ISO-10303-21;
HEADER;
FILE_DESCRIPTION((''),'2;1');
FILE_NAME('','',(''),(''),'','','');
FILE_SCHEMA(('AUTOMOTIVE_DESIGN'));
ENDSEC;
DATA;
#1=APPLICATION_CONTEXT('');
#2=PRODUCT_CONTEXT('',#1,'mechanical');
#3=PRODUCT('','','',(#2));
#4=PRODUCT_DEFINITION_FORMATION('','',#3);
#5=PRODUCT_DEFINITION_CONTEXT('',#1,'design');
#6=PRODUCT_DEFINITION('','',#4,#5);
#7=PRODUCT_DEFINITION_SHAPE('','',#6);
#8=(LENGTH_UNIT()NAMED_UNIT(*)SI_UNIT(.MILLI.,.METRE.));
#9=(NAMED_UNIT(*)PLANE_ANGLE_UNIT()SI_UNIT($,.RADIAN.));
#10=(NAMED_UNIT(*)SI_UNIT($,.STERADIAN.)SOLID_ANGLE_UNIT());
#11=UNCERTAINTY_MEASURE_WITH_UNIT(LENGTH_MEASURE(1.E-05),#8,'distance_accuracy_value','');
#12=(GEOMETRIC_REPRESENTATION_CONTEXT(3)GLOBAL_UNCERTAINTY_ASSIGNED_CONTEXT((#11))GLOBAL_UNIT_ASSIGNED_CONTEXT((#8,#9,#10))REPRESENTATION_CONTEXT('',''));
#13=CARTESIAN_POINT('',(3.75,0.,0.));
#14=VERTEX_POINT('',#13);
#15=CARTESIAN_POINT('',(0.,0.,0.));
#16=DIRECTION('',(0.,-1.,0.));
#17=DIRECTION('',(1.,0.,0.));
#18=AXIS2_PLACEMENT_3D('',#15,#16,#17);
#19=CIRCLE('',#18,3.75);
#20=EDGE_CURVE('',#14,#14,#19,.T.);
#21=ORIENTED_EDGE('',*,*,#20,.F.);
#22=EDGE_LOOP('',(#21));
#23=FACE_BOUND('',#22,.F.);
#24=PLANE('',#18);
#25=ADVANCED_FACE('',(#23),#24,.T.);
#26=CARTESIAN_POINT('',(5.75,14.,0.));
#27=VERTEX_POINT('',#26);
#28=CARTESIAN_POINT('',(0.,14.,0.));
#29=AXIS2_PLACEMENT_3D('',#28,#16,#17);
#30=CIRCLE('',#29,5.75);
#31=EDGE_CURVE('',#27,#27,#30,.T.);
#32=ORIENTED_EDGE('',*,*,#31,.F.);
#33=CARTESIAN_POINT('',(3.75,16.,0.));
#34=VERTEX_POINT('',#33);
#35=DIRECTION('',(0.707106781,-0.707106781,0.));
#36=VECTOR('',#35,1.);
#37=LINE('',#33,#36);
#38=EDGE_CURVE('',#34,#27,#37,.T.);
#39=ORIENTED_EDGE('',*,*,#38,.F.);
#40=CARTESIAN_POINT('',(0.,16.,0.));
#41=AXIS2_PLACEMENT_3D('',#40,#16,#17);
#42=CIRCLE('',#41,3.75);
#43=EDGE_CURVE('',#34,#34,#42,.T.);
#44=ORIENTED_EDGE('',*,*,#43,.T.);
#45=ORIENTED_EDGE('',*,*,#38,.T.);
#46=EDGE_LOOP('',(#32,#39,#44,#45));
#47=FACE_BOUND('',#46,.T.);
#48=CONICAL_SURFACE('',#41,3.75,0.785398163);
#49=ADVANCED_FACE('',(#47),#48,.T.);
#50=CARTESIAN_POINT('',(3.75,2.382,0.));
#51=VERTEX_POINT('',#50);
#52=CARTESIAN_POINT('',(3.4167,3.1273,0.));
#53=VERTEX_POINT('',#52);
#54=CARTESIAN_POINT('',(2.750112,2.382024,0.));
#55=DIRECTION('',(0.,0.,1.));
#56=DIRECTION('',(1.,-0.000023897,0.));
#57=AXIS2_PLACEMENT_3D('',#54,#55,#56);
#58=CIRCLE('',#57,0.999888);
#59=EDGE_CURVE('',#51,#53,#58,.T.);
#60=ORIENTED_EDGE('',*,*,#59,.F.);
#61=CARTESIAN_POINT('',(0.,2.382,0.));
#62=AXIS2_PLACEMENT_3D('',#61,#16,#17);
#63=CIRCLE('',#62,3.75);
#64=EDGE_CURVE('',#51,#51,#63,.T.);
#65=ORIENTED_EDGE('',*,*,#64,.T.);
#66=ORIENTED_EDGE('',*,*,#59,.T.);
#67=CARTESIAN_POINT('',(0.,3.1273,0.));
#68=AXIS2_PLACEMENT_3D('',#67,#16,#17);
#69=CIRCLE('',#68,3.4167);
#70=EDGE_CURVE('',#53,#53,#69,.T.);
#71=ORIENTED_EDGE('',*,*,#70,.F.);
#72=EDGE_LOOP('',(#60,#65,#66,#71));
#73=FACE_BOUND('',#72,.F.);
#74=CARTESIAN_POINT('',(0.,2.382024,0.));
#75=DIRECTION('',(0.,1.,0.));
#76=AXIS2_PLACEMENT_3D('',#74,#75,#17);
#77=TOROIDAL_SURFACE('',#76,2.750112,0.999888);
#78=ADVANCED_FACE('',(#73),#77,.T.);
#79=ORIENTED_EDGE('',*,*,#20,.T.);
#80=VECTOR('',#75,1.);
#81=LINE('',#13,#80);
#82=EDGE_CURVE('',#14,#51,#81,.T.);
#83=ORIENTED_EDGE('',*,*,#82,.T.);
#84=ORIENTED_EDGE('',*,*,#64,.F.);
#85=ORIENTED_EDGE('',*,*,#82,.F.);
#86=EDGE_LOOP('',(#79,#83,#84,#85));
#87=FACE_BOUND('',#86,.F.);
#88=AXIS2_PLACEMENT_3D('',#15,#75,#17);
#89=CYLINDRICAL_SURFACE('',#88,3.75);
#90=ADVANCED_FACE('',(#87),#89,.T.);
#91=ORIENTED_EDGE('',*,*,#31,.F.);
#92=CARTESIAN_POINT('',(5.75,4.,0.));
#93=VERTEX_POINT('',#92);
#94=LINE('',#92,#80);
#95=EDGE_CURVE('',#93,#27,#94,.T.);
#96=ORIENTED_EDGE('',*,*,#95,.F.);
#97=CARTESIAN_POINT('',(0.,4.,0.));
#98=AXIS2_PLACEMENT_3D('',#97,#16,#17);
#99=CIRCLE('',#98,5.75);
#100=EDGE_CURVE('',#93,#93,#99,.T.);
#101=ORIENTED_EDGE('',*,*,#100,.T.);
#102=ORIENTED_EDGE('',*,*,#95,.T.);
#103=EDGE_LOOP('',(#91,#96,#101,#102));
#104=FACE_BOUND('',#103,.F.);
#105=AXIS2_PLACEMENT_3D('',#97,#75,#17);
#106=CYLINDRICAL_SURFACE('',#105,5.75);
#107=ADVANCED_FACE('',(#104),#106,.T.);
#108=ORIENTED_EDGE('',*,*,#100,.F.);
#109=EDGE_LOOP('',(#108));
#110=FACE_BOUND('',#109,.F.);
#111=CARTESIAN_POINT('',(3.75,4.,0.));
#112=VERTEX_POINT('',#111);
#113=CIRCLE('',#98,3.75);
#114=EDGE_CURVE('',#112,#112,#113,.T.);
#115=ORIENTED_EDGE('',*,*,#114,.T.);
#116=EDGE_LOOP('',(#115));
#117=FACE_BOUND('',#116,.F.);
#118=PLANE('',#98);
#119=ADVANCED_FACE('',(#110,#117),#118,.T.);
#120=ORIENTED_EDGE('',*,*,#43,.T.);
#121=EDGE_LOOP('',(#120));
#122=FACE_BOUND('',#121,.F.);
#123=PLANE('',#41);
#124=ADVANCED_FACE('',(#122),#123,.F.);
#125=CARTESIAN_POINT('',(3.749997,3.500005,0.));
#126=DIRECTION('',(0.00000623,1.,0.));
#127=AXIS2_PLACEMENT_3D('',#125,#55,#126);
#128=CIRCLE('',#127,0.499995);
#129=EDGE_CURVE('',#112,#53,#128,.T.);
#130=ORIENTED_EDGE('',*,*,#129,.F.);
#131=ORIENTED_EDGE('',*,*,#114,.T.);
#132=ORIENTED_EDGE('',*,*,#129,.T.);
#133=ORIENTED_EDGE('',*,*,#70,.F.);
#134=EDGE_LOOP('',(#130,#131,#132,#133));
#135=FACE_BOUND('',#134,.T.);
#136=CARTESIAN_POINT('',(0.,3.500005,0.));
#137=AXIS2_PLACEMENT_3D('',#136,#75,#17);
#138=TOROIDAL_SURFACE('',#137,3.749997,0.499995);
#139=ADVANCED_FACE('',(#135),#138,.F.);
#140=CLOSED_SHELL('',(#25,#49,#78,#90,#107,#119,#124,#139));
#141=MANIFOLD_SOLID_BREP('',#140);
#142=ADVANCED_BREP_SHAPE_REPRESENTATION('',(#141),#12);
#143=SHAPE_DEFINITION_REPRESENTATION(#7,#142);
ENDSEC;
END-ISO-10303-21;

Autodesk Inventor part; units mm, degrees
ref_plane "YZ Plane" through (0, 0, 0) normal (1, 0, 0) x (0, 1, 0)
ref_plane "XZ Plane" through (0, 0, 0) normal (0, 1, 0) x (-1, 0, 0)
ref_plane "XY Plane" through (0, 0, 0) normal (0, 0, 1) x (1, 0, 0)
sketch "Sketch1" plane through (0, 0, 0) normal (0, 0, 1) x (1, 0, 0)
  line L0 (0, 19.2) -> (0, -3.2) projected
  line L1 (-1.15, 0) -> (6.9, 0) projected
  line L2 (0, 0) -> (3.75, 0)
  line L3 (3.75, 0) -> (3.75, 2.382)
  line L4 (3.75, 4) -> (5.75, 4)
  line L5 (5.75, 4) -> (5.75, 14)
  line L6 (3.75, 16) -> (0, 16)
  line L7 (0, 16) -> (0, 0)
  arc A0 (3.75, 4) -> (3.4167, 3.1273) centre (3.75, 3.5) ccw
  arc A1 (3.75, 2.382) -> (3.4167, 3.1273) centre (2.75, 2.382) ccw
  line L8 (3.75, 16) -> (5.75, 14)
  point P0 (5.75, 16)
  point P1 (3.75, 3)
  dimension "d0" = 3.75
  dimension "d1" = 4
  dimension "d2" = 2
  dimension "d3" = 12
  dimension "d4" = 1
  dimension "d5" = 1
  dimension "d6" = 2
  dimension "d7" = 2
revolve "Revolution1" add sketch "Sketch1" angle 360 about axis through (0, 0, 0) along (0, -1, 0)
equation "\"d7\" = d6"
properties part number "SlipersLåda 211018010"
